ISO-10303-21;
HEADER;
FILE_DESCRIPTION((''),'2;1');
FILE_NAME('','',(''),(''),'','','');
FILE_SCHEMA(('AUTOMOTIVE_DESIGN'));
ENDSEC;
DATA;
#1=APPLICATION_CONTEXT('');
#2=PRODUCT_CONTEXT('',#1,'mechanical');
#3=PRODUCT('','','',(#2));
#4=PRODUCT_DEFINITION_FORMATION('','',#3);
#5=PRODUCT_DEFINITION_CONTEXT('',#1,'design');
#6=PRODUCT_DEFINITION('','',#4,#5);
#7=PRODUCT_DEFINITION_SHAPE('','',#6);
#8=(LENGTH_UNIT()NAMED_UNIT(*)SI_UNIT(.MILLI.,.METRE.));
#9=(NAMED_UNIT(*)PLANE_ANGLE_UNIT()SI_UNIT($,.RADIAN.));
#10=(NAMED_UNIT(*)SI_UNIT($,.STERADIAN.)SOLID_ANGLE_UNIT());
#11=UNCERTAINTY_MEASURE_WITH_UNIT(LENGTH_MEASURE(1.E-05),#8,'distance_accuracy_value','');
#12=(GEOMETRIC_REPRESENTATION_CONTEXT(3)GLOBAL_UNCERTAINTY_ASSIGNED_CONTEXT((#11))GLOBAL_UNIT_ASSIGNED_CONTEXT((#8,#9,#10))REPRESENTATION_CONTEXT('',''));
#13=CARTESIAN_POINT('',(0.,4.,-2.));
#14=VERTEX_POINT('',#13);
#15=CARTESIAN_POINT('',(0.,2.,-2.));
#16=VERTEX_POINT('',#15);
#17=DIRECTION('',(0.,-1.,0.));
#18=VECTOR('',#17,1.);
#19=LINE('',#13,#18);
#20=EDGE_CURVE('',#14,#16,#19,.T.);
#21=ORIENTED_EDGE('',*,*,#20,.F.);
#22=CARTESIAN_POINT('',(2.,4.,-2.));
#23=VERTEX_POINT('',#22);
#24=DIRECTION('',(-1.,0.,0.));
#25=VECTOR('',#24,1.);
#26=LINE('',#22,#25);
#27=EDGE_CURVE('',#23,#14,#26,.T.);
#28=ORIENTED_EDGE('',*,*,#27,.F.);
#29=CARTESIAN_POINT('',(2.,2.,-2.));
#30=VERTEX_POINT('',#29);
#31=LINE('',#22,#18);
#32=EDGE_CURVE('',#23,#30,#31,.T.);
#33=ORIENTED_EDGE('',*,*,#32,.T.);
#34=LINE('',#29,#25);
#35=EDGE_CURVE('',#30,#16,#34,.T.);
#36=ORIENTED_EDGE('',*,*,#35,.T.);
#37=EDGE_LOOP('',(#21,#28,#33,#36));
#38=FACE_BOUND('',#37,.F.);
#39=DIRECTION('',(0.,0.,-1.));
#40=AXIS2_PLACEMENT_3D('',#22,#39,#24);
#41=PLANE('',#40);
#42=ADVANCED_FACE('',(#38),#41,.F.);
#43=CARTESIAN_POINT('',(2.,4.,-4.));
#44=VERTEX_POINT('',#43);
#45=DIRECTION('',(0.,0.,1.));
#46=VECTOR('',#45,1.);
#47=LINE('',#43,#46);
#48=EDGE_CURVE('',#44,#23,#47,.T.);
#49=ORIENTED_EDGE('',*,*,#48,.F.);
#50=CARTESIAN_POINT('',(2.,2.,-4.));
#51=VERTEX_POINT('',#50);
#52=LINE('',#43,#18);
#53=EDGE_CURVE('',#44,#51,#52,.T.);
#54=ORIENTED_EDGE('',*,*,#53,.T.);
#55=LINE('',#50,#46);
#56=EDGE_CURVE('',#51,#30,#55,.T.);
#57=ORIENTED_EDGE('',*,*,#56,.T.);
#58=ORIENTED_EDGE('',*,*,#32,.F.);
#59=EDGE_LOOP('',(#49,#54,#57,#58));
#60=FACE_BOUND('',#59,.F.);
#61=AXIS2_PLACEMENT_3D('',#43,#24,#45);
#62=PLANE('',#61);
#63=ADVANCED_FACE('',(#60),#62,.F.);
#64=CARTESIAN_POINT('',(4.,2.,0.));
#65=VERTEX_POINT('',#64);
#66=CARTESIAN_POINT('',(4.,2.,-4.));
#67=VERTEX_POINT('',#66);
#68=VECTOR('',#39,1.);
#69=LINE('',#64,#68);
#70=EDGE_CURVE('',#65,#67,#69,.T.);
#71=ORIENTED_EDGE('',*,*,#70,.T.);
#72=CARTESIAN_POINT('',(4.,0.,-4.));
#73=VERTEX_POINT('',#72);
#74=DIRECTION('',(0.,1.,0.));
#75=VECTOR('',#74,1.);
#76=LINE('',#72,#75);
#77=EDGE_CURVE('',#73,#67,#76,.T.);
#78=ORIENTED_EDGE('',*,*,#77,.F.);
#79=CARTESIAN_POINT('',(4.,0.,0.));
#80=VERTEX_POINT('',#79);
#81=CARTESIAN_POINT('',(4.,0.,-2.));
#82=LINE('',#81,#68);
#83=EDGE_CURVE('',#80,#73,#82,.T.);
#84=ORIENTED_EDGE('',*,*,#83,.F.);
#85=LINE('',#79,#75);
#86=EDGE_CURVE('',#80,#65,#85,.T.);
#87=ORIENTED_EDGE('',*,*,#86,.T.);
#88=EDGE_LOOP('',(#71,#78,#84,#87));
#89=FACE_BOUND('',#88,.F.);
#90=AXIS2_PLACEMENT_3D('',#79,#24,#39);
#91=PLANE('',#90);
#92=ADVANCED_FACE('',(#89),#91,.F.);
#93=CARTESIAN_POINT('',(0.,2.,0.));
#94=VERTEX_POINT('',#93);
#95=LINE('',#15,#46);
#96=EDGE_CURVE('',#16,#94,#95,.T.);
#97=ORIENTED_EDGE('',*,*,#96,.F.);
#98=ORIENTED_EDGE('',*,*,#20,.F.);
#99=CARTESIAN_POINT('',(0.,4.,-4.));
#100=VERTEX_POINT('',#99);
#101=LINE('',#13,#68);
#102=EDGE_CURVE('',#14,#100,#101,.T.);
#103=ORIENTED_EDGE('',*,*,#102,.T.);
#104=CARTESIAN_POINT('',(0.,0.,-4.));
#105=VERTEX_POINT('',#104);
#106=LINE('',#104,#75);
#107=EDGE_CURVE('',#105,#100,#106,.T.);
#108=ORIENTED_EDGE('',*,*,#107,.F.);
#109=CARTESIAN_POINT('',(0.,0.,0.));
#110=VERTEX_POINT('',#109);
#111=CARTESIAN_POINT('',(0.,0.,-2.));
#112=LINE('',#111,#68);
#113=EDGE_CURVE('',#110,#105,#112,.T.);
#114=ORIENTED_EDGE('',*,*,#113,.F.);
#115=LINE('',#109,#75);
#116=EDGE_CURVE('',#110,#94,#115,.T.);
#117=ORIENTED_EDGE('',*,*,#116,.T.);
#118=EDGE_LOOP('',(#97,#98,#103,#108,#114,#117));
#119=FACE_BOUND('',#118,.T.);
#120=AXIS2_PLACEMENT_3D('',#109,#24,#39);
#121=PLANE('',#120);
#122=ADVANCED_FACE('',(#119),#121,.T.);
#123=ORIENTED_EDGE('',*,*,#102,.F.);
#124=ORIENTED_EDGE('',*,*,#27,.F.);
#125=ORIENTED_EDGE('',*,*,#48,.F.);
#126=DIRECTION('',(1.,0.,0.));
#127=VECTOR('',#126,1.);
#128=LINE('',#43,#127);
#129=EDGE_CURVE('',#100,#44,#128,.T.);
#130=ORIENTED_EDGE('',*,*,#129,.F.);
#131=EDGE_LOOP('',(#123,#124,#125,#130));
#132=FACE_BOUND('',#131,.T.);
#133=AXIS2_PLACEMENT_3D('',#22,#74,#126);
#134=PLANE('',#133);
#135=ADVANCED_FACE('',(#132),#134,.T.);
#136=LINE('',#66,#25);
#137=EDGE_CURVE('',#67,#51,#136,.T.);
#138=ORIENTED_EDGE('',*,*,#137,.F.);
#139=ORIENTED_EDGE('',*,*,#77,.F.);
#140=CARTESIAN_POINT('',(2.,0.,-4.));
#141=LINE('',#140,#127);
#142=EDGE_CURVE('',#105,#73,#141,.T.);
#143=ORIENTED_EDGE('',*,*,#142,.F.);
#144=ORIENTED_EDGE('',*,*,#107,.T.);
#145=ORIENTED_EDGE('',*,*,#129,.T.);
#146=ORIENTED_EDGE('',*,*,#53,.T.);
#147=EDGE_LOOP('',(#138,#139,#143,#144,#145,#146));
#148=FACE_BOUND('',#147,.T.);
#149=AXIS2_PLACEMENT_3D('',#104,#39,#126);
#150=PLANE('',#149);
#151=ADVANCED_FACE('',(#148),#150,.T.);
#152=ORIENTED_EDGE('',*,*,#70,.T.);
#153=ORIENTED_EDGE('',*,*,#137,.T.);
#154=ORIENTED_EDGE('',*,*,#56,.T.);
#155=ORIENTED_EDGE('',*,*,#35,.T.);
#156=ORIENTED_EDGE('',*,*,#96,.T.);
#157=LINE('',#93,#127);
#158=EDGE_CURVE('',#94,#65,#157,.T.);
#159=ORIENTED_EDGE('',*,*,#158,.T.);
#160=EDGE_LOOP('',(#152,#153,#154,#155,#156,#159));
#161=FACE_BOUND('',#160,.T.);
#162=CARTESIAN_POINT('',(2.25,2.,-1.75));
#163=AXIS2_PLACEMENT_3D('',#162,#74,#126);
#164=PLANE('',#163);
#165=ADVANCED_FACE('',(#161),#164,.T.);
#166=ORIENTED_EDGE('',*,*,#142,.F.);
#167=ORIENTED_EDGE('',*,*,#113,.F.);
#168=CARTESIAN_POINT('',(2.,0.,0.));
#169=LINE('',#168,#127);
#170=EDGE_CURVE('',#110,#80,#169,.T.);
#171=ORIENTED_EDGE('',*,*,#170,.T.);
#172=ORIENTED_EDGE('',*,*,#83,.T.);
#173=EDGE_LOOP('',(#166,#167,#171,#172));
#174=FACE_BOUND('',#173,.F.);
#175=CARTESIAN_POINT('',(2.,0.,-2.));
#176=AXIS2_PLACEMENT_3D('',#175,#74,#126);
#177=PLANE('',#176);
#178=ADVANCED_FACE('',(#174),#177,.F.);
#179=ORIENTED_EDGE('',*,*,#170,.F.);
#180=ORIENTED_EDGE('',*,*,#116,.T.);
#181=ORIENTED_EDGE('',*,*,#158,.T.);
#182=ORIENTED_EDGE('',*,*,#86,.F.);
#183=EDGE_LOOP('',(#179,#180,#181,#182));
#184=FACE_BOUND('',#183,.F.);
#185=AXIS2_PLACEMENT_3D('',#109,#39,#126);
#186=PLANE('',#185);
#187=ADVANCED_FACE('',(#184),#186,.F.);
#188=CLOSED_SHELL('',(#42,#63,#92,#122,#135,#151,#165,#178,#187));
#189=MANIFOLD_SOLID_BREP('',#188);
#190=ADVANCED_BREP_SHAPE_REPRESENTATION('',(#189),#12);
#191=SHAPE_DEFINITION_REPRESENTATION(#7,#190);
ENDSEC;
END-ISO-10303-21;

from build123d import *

# Parameters (mm, degrees)
SKETCH1_W           = 4
SKETCH1_H           = 4
BOSS_EXTRUDE1_DEPTH = 4
CUT_EXTRUDE1_DEPTH  = 2


with BuildPart() as part:
    # Sketch1 → Boss-Extrude1 (new body)
    with BuildSketch(Plane(origin=(0, 0, 0), x_dir=(1, 0, 0), z_dir=(0, 1, 0))):
        with Locations((2, 2)):
            Rectangle(SKETCH1_W, SKETCH1_H)
    extrude(amount=BOSS_EXTRUDE1_DEPTH)

    # Sketch2 → Cut-Extrude1 (cut)
    with BuildSketch(Plane(origin=(0, 4, 0), x_dir=(1, 0, 0), z_dir=(0, 1, 0))):
        Polygon((4, 4), (2, 4), (2, 2), (0, 2), (0, 0), (4, 0), align=None)
    extrude(amount=-CUT_EXTRUDE1_DEPTH, mode=Mode.SUBTRACT)


solid = part.part
